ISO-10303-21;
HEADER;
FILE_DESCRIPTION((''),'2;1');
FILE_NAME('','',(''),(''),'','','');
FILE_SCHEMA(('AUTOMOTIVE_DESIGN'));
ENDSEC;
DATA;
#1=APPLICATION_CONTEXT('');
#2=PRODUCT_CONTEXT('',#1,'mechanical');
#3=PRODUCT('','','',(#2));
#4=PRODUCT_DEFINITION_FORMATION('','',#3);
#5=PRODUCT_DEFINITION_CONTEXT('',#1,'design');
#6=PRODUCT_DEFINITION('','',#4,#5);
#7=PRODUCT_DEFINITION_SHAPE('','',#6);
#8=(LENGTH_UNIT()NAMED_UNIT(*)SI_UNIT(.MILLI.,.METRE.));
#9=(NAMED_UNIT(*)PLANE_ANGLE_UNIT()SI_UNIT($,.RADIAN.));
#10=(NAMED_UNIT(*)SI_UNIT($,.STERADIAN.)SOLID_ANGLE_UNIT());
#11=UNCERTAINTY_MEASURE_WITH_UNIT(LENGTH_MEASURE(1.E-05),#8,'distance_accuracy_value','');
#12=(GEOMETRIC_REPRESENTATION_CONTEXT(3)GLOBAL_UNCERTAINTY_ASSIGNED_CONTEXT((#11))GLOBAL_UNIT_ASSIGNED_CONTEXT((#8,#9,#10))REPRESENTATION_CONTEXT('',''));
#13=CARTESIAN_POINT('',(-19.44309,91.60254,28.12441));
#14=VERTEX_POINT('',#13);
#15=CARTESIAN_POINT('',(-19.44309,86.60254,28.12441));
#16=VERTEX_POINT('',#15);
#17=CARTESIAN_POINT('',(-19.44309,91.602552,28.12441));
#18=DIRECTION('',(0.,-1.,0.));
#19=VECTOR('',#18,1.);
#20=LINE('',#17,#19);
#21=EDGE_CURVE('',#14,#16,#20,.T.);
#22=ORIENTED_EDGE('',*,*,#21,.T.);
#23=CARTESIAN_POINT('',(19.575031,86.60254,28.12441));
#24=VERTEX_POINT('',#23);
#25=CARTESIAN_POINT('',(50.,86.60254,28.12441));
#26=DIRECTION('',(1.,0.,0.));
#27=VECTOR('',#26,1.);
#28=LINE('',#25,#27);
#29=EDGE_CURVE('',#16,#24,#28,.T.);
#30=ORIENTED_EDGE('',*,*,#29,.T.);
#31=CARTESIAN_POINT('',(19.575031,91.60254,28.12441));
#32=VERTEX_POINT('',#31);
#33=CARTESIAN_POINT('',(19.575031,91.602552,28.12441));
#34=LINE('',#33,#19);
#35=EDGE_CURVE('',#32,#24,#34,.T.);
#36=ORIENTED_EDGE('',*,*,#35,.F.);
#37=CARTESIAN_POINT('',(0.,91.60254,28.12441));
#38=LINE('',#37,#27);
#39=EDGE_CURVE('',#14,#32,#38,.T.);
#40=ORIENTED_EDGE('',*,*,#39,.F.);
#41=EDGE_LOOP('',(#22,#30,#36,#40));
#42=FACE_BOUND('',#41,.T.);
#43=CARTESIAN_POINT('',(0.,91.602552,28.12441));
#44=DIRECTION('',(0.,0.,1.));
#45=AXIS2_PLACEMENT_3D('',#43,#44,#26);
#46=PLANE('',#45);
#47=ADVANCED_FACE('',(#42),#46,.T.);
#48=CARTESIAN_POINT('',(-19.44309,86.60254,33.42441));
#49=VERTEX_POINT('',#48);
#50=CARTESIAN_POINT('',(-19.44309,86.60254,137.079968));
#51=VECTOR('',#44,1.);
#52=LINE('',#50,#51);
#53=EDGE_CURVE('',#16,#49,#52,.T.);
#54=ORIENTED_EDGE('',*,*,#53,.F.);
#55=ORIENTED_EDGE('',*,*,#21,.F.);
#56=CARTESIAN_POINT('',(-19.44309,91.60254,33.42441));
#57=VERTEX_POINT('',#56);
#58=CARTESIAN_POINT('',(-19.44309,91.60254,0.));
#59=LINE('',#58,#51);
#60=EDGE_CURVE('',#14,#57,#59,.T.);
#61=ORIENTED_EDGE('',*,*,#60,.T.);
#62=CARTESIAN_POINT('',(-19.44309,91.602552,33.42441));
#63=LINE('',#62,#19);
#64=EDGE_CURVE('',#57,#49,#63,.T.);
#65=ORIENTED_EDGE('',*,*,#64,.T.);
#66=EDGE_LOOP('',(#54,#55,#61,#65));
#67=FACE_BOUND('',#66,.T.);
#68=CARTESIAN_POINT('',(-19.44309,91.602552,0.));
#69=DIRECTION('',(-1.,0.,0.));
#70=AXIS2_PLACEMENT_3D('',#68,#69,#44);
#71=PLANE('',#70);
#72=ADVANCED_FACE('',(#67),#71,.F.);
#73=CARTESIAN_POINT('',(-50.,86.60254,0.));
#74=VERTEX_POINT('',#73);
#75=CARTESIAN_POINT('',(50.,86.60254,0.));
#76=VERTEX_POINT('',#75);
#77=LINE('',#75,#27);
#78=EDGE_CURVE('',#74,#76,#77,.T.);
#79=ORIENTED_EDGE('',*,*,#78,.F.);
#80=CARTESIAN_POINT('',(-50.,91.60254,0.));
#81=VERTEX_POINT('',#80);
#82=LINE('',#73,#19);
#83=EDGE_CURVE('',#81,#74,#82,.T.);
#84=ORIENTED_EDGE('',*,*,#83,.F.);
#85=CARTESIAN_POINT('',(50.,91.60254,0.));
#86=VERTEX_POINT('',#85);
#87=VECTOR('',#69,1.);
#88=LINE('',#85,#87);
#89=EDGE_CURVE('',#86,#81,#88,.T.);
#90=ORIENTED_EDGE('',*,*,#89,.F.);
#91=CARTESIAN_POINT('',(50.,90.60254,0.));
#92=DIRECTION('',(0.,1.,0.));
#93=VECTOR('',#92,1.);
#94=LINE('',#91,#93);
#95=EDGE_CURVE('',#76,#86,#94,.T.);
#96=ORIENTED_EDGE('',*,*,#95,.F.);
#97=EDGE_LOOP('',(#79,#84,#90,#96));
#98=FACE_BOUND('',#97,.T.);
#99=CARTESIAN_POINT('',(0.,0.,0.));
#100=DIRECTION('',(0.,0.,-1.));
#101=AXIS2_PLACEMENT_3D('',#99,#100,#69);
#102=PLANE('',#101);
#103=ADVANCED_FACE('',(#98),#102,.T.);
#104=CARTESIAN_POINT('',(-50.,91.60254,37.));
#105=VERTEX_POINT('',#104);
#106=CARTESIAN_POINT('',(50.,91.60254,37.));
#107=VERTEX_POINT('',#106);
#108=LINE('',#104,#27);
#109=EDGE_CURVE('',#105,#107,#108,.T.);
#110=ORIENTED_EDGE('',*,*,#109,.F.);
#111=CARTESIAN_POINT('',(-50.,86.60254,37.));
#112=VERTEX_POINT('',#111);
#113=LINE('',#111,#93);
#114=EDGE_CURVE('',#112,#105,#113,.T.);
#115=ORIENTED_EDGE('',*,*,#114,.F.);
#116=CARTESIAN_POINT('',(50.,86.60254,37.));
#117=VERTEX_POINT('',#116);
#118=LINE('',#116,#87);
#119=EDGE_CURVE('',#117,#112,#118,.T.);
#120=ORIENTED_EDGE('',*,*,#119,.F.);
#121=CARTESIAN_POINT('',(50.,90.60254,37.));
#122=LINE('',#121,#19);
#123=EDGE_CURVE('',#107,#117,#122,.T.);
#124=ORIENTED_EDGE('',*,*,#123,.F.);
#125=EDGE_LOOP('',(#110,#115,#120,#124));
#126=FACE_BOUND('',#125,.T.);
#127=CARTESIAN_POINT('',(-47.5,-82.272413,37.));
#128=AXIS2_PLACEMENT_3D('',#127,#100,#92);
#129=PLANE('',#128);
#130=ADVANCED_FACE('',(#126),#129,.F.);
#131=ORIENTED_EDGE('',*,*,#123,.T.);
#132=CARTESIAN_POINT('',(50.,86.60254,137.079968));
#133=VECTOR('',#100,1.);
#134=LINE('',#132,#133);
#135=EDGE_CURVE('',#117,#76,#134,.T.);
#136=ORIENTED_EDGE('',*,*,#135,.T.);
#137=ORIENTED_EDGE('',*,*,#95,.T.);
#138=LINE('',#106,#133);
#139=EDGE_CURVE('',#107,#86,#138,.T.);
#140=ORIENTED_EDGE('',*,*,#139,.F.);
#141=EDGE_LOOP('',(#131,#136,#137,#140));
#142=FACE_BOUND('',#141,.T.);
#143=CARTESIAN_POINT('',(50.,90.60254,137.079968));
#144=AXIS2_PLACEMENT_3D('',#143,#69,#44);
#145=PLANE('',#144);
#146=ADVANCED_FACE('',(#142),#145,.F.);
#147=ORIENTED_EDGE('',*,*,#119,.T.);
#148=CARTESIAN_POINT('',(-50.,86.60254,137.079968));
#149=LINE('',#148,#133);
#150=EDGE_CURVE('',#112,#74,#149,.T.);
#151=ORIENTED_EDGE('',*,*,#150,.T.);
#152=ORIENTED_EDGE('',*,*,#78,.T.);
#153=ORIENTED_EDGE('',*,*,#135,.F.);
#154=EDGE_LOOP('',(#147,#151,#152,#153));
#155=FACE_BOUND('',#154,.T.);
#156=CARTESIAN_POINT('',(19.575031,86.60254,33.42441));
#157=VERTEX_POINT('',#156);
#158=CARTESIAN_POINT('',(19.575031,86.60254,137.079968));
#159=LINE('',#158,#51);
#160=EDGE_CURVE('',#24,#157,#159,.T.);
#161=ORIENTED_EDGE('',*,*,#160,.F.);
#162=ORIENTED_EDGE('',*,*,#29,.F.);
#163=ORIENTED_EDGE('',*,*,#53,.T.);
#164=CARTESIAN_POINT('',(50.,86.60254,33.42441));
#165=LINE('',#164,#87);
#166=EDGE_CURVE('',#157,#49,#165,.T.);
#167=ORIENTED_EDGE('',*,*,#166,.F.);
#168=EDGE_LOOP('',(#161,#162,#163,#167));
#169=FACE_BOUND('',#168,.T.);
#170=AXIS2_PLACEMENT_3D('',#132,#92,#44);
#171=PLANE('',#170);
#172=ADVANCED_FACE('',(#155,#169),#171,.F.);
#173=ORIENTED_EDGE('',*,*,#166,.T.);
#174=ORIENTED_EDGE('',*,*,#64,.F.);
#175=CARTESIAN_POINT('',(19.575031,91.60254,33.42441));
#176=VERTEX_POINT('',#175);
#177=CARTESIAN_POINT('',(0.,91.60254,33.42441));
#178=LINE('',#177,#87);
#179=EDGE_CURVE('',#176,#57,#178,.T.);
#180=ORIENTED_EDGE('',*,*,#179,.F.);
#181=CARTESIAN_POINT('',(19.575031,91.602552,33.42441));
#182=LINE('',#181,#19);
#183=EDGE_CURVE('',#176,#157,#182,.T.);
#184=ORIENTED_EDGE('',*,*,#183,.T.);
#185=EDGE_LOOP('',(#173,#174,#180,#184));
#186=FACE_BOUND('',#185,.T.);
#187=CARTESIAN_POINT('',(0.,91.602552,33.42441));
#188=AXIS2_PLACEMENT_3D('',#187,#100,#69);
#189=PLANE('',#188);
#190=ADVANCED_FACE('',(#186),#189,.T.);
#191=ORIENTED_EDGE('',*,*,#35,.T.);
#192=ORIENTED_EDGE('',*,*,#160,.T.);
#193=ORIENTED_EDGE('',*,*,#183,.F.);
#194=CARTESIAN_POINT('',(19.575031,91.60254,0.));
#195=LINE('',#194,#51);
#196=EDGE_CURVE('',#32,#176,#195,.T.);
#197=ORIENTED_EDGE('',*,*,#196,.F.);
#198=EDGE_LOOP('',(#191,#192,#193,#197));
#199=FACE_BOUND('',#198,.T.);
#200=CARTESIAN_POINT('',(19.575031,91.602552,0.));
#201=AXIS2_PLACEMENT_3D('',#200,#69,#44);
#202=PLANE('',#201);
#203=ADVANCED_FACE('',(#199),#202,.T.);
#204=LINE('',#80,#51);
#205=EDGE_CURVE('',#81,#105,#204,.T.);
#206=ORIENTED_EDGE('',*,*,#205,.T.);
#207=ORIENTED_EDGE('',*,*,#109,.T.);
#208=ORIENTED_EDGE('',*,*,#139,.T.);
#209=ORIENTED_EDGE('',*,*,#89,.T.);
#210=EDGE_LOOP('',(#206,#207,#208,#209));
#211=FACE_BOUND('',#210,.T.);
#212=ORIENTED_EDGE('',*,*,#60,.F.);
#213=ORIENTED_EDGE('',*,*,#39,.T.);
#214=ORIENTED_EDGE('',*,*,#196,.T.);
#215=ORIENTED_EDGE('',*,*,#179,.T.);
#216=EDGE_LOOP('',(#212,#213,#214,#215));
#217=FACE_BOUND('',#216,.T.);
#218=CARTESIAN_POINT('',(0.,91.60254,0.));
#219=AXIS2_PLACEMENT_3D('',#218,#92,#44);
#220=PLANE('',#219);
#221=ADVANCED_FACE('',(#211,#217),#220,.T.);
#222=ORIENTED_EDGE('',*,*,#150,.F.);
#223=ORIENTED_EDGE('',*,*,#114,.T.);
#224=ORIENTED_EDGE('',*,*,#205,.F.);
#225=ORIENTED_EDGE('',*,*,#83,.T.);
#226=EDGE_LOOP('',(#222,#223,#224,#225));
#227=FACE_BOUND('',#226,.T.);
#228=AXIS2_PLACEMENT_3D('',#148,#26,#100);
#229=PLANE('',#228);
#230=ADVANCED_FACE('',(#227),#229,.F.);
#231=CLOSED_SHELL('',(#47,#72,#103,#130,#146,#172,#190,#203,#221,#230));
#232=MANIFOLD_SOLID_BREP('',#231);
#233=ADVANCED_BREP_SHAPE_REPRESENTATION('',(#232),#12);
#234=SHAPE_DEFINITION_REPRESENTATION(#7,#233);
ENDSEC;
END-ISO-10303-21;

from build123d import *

# Parameters (mm, degrees)
CROQUIS1_W                 = 100
CROQUIS1_H                 = 4.000000012
SALIENTE_EXTRUIR1_DEPTH    = 37
CROQUIS2_W                 = 100
CROQUIS2_H                 = 37
SALIENTE_EXTRUIR2_DEPTH    = 1
CORTAR_EXTRUIR1_DEPTH      = 1
CORTAR_EXTRUIR1_DEPTH_BACK = 10


with BuildPart() as part:
    # Croquis1 → Saliente-Extruir1 (new body)
    with BuildSketch(Plane.XY):
        with Locations((2.8e-08, 88.602540372)):
            Rectangle(CROQUIS1_W, CROQUIS1_H)
    extrude(amount=SALIENTE_EXTRUIR1_DEPTH)

    # Croquis2 → Saliente-Extruir2 (add)
    with BuildSketch(Plane(origin=(0, 90.602540378, 0), x_dir=(1, 0, 0), z_dir=(0, 1, 0))):
        with Locations((2.8e-08, -18.5)):
            Rectangle(CROQUIS2_W, CROQUIS2_H)
    extrude(amount=SALIENTE_EXTRUIR2_DEPTH)

    # Croquis3 → Cortar-Extruir1 (cut, two sides)
    with BuildSketch(Plane(origin=(0, 91.602540378, 0), x_dir=(1, 0, 0), z_dir=(0, 1, 0))) as cortar_extruir1_sk:
        Polygon((-19.443089963, -28.124409531), (-19.443089963, -33.424409531), (0.06597073, -33.424409531), (19.575031424, -33.424409531), (19.575031424, -28.124409531), (0.103924104, -28.124409531), (0.028017356, -28.124409531), align=None)
    extrude(amount=CORTAR_EXTRUIR1_DEPTH, mode=Mode.SUBTRACT)
    extrude(cortar_extruir1_sk.sketch, amount=-CORTAR_EXTRUIR1_DEPTH_BACK, mode=Mode.SUBTRACT)


solid = part.part
